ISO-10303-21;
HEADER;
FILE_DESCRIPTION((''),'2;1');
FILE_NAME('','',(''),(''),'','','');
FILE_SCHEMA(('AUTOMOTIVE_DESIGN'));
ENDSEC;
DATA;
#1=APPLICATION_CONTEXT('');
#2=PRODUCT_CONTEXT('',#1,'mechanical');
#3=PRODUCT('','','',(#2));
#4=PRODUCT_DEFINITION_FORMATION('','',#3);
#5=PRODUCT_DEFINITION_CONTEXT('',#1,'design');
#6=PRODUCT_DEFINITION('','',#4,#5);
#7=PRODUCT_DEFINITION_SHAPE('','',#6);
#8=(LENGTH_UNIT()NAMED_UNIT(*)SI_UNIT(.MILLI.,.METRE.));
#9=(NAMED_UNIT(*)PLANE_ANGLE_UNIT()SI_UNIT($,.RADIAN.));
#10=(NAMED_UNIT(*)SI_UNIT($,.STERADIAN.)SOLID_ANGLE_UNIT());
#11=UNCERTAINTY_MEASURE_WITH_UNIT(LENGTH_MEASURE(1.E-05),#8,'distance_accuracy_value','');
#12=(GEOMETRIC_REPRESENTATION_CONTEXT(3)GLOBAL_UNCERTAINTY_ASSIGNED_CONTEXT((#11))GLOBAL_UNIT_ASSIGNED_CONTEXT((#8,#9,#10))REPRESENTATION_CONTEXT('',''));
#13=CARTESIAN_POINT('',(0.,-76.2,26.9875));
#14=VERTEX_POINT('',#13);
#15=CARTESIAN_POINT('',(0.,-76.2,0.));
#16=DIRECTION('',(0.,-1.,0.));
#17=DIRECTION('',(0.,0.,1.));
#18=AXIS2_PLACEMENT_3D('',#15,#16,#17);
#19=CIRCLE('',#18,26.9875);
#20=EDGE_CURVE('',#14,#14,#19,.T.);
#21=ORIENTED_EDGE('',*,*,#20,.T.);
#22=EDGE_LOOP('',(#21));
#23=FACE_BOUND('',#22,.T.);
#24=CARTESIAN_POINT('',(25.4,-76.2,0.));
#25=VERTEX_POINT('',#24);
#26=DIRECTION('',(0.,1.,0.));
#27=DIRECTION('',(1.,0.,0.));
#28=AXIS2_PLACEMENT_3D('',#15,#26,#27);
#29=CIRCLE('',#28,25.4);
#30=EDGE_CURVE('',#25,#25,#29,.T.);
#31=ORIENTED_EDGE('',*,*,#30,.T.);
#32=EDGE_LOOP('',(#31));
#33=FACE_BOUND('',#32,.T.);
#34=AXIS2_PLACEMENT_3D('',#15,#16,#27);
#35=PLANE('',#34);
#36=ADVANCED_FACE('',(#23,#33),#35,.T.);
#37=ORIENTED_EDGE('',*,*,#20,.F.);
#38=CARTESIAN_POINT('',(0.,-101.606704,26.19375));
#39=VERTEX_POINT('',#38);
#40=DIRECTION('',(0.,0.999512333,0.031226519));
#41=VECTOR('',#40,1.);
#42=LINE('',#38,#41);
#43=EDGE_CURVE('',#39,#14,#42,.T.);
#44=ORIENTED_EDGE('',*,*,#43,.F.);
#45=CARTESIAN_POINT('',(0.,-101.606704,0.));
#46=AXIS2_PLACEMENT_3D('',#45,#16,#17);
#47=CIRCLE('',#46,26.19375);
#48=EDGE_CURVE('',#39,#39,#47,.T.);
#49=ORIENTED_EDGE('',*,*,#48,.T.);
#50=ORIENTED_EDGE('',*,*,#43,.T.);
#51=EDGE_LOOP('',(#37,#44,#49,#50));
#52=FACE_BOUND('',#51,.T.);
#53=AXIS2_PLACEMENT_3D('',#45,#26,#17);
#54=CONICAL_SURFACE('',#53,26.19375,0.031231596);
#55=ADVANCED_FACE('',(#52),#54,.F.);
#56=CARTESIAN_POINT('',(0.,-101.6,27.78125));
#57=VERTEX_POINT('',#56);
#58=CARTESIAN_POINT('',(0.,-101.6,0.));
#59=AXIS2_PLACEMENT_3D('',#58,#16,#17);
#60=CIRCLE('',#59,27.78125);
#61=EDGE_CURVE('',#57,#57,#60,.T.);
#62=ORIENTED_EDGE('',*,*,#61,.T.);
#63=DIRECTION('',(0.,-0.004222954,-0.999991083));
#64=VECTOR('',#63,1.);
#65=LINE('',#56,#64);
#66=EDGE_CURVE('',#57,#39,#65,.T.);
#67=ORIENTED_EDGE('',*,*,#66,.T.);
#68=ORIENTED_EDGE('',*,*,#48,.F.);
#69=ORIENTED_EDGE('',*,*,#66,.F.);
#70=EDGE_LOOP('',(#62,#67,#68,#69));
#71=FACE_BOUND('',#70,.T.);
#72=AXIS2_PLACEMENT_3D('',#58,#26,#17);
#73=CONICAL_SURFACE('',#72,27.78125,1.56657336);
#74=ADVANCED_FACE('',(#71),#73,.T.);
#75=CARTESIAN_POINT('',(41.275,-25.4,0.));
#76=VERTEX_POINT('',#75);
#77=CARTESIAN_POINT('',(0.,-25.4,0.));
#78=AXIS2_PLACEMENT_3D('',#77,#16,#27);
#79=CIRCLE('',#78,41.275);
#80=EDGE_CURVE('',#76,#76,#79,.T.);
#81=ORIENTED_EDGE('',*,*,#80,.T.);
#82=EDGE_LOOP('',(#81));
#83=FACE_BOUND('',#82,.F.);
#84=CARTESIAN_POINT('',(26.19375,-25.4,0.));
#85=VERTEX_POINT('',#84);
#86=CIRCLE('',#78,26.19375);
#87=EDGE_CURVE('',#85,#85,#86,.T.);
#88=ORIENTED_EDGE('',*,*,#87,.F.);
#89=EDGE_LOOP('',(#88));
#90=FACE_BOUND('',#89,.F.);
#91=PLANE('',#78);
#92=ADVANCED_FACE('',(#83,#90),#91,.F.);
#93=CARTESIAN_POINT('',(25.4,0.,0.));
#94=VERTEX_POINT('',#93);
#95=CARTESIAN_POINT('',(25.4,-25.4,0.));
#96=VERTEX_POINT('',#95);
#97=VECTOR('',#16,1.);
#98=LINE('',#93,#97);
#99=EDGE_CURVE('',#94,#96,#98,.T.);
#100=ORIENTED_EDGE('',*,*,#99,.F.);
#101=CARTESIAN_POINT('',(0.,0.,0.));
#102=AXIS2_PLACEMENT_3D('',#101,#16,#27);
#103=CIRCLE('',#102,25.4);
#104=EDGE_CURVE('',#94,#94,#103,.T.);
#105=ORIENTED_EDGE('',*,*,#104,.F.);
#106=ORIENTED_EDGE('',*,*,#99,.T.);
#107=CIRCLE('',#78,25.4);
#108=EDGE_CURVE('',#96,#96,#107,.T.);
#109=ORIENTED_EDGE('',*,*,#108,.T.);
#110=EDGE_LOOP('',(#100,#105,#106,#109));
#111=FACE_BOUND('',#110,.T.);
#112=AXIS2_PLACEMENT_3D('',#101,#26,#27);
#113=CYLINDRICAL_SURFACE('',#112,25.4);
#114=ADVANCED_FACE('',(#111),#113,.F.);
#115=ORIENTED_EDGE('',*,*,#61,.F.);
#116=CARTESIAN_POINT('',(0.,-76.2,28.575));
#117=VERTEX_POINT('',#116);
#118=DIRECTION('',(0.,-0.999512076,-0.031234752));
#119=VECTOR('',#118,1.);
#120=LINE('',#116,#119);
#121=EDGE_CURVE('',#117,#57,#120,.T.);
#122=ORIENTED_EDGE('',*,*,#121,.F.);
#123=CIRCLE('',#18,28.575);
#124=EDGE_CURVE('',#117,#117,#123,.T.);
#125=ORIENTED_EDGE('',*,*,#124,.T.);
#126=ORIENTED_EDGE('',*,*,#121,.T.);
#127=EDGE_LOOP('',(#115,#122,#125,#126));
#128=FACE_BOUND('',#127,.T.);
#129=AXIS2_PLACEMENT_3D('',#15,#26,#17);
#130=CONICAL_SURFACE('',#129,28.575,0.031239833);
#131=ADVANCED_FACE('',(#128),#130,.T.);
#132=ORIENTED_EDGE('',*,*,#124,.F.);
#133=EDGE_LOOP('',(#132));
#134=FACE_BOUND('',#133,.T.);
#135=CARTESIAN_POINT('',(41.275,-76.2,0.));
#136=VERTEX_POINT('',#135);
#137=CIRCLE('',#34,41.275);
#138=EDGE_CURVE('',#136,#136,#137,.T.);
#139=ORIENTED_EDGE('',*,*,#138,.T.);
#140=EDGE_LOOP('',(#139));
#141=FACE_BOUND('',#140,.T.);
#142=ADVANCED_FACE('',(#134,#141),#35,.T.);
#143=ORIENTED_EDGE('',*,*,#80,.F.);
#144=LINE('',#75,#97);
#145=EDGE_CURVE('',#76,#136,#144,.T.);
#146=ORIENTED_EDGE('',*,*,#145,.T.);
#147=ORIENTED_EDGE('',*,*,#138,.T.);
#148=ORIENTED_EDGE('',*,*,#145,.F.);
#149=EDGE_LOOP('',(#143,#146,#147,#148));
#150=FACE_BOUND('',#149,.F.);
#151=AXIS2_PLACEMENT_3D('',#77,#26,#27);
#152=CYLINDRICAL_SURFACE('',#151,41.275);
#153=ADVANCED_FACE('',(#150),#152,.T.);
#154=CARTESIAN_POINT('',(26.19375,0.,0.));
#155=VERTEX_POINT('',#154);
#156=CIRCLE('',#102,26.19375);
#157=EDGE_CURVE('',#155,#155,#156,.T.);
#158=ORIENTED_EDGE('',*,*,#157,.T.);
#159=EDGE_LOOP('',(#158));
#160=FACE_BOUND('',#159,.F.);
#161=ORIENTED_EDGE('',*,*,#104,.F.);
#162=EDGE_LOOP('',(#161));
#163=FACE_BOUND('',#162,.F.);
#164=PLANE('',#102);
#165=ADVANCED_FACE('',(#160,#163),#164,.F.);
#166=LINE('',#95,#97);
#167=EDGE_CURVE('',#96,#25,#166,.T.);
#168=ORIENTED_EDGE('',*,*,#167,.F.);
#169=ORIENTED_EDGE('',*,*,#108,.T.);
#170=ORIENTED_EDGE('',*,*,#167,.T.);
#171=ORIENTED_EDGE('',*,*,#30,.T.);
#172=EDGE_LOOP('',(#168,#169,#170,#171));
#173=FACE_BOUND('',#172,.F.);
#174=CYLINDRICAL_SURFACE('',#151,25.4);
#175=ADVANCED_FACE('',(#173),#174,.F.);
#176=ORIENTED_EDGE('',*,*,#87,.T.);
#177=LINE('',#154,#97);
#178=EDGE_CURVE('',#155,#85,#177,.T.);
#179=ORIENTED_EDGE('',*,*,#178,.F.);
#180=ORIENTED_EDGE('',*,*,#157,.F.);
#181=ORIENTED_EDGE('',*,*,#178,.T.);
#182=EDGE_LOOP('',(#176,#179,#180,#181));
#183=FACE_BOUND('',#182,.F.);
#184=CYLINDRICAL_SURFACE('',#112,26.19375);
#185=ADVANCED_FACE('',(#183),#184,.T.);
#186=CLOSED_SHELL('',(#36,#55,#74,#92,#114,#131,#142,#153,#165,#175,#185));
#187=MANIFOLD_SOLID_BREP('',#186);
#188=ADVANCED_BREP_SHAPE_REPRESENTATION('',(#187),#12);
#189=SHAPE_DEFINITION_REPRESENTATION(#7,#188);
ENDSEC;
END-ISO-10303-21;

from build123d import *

# Parameters (mm, degrees)
F0_R      = 26.19375
F0_R_2    = 25.4
F1_DEPTH  = 25.4
F2_R      = 41.275
F3_DEPTH  = 50.8
F3_FACE_R = 25.4
F6_DEPTH  = 76.2


with BuildPart() as f1:
    # F0 (on Front) → F1 (new body)
    with BuildSketch(Plane.XZ):
        Circle(F0_R)
        Circle(F0_R_2, mode=Mode.SUBTRACT)
    extrude(amount=F1_DEPTH)

    # F2 (on face) → F3 (join)
    with BuildSketch(Plane.XZ.offset(25.4)):
        Circle(F2_R)
    extrude(amount=F3_DEPTH)

    # F4 (on Right) → F5 (revolve)
    with BuildSketch(Plane.YZ):
        Polygon((-76.2, 28.575), (-101.6, 27.78125), (-101.606704, 26.19375), (-76.2, 26.9875), align=None)
    revolve(axis=Axis((0, -38.1, 0), (0, -1, 0)))

    # F3_face (on face) → F6 (cut)
    with BuildSketch(Plane(origin=(0, -25.4, 0), x_dir=(1, 0, 0), z_dir=(0, 1, 0))):
        Circle(F3_FACE_R)
    extrude(amount=-F6_DEPTH, mode=Mode.SUBTRACT)


solid = f1.part
